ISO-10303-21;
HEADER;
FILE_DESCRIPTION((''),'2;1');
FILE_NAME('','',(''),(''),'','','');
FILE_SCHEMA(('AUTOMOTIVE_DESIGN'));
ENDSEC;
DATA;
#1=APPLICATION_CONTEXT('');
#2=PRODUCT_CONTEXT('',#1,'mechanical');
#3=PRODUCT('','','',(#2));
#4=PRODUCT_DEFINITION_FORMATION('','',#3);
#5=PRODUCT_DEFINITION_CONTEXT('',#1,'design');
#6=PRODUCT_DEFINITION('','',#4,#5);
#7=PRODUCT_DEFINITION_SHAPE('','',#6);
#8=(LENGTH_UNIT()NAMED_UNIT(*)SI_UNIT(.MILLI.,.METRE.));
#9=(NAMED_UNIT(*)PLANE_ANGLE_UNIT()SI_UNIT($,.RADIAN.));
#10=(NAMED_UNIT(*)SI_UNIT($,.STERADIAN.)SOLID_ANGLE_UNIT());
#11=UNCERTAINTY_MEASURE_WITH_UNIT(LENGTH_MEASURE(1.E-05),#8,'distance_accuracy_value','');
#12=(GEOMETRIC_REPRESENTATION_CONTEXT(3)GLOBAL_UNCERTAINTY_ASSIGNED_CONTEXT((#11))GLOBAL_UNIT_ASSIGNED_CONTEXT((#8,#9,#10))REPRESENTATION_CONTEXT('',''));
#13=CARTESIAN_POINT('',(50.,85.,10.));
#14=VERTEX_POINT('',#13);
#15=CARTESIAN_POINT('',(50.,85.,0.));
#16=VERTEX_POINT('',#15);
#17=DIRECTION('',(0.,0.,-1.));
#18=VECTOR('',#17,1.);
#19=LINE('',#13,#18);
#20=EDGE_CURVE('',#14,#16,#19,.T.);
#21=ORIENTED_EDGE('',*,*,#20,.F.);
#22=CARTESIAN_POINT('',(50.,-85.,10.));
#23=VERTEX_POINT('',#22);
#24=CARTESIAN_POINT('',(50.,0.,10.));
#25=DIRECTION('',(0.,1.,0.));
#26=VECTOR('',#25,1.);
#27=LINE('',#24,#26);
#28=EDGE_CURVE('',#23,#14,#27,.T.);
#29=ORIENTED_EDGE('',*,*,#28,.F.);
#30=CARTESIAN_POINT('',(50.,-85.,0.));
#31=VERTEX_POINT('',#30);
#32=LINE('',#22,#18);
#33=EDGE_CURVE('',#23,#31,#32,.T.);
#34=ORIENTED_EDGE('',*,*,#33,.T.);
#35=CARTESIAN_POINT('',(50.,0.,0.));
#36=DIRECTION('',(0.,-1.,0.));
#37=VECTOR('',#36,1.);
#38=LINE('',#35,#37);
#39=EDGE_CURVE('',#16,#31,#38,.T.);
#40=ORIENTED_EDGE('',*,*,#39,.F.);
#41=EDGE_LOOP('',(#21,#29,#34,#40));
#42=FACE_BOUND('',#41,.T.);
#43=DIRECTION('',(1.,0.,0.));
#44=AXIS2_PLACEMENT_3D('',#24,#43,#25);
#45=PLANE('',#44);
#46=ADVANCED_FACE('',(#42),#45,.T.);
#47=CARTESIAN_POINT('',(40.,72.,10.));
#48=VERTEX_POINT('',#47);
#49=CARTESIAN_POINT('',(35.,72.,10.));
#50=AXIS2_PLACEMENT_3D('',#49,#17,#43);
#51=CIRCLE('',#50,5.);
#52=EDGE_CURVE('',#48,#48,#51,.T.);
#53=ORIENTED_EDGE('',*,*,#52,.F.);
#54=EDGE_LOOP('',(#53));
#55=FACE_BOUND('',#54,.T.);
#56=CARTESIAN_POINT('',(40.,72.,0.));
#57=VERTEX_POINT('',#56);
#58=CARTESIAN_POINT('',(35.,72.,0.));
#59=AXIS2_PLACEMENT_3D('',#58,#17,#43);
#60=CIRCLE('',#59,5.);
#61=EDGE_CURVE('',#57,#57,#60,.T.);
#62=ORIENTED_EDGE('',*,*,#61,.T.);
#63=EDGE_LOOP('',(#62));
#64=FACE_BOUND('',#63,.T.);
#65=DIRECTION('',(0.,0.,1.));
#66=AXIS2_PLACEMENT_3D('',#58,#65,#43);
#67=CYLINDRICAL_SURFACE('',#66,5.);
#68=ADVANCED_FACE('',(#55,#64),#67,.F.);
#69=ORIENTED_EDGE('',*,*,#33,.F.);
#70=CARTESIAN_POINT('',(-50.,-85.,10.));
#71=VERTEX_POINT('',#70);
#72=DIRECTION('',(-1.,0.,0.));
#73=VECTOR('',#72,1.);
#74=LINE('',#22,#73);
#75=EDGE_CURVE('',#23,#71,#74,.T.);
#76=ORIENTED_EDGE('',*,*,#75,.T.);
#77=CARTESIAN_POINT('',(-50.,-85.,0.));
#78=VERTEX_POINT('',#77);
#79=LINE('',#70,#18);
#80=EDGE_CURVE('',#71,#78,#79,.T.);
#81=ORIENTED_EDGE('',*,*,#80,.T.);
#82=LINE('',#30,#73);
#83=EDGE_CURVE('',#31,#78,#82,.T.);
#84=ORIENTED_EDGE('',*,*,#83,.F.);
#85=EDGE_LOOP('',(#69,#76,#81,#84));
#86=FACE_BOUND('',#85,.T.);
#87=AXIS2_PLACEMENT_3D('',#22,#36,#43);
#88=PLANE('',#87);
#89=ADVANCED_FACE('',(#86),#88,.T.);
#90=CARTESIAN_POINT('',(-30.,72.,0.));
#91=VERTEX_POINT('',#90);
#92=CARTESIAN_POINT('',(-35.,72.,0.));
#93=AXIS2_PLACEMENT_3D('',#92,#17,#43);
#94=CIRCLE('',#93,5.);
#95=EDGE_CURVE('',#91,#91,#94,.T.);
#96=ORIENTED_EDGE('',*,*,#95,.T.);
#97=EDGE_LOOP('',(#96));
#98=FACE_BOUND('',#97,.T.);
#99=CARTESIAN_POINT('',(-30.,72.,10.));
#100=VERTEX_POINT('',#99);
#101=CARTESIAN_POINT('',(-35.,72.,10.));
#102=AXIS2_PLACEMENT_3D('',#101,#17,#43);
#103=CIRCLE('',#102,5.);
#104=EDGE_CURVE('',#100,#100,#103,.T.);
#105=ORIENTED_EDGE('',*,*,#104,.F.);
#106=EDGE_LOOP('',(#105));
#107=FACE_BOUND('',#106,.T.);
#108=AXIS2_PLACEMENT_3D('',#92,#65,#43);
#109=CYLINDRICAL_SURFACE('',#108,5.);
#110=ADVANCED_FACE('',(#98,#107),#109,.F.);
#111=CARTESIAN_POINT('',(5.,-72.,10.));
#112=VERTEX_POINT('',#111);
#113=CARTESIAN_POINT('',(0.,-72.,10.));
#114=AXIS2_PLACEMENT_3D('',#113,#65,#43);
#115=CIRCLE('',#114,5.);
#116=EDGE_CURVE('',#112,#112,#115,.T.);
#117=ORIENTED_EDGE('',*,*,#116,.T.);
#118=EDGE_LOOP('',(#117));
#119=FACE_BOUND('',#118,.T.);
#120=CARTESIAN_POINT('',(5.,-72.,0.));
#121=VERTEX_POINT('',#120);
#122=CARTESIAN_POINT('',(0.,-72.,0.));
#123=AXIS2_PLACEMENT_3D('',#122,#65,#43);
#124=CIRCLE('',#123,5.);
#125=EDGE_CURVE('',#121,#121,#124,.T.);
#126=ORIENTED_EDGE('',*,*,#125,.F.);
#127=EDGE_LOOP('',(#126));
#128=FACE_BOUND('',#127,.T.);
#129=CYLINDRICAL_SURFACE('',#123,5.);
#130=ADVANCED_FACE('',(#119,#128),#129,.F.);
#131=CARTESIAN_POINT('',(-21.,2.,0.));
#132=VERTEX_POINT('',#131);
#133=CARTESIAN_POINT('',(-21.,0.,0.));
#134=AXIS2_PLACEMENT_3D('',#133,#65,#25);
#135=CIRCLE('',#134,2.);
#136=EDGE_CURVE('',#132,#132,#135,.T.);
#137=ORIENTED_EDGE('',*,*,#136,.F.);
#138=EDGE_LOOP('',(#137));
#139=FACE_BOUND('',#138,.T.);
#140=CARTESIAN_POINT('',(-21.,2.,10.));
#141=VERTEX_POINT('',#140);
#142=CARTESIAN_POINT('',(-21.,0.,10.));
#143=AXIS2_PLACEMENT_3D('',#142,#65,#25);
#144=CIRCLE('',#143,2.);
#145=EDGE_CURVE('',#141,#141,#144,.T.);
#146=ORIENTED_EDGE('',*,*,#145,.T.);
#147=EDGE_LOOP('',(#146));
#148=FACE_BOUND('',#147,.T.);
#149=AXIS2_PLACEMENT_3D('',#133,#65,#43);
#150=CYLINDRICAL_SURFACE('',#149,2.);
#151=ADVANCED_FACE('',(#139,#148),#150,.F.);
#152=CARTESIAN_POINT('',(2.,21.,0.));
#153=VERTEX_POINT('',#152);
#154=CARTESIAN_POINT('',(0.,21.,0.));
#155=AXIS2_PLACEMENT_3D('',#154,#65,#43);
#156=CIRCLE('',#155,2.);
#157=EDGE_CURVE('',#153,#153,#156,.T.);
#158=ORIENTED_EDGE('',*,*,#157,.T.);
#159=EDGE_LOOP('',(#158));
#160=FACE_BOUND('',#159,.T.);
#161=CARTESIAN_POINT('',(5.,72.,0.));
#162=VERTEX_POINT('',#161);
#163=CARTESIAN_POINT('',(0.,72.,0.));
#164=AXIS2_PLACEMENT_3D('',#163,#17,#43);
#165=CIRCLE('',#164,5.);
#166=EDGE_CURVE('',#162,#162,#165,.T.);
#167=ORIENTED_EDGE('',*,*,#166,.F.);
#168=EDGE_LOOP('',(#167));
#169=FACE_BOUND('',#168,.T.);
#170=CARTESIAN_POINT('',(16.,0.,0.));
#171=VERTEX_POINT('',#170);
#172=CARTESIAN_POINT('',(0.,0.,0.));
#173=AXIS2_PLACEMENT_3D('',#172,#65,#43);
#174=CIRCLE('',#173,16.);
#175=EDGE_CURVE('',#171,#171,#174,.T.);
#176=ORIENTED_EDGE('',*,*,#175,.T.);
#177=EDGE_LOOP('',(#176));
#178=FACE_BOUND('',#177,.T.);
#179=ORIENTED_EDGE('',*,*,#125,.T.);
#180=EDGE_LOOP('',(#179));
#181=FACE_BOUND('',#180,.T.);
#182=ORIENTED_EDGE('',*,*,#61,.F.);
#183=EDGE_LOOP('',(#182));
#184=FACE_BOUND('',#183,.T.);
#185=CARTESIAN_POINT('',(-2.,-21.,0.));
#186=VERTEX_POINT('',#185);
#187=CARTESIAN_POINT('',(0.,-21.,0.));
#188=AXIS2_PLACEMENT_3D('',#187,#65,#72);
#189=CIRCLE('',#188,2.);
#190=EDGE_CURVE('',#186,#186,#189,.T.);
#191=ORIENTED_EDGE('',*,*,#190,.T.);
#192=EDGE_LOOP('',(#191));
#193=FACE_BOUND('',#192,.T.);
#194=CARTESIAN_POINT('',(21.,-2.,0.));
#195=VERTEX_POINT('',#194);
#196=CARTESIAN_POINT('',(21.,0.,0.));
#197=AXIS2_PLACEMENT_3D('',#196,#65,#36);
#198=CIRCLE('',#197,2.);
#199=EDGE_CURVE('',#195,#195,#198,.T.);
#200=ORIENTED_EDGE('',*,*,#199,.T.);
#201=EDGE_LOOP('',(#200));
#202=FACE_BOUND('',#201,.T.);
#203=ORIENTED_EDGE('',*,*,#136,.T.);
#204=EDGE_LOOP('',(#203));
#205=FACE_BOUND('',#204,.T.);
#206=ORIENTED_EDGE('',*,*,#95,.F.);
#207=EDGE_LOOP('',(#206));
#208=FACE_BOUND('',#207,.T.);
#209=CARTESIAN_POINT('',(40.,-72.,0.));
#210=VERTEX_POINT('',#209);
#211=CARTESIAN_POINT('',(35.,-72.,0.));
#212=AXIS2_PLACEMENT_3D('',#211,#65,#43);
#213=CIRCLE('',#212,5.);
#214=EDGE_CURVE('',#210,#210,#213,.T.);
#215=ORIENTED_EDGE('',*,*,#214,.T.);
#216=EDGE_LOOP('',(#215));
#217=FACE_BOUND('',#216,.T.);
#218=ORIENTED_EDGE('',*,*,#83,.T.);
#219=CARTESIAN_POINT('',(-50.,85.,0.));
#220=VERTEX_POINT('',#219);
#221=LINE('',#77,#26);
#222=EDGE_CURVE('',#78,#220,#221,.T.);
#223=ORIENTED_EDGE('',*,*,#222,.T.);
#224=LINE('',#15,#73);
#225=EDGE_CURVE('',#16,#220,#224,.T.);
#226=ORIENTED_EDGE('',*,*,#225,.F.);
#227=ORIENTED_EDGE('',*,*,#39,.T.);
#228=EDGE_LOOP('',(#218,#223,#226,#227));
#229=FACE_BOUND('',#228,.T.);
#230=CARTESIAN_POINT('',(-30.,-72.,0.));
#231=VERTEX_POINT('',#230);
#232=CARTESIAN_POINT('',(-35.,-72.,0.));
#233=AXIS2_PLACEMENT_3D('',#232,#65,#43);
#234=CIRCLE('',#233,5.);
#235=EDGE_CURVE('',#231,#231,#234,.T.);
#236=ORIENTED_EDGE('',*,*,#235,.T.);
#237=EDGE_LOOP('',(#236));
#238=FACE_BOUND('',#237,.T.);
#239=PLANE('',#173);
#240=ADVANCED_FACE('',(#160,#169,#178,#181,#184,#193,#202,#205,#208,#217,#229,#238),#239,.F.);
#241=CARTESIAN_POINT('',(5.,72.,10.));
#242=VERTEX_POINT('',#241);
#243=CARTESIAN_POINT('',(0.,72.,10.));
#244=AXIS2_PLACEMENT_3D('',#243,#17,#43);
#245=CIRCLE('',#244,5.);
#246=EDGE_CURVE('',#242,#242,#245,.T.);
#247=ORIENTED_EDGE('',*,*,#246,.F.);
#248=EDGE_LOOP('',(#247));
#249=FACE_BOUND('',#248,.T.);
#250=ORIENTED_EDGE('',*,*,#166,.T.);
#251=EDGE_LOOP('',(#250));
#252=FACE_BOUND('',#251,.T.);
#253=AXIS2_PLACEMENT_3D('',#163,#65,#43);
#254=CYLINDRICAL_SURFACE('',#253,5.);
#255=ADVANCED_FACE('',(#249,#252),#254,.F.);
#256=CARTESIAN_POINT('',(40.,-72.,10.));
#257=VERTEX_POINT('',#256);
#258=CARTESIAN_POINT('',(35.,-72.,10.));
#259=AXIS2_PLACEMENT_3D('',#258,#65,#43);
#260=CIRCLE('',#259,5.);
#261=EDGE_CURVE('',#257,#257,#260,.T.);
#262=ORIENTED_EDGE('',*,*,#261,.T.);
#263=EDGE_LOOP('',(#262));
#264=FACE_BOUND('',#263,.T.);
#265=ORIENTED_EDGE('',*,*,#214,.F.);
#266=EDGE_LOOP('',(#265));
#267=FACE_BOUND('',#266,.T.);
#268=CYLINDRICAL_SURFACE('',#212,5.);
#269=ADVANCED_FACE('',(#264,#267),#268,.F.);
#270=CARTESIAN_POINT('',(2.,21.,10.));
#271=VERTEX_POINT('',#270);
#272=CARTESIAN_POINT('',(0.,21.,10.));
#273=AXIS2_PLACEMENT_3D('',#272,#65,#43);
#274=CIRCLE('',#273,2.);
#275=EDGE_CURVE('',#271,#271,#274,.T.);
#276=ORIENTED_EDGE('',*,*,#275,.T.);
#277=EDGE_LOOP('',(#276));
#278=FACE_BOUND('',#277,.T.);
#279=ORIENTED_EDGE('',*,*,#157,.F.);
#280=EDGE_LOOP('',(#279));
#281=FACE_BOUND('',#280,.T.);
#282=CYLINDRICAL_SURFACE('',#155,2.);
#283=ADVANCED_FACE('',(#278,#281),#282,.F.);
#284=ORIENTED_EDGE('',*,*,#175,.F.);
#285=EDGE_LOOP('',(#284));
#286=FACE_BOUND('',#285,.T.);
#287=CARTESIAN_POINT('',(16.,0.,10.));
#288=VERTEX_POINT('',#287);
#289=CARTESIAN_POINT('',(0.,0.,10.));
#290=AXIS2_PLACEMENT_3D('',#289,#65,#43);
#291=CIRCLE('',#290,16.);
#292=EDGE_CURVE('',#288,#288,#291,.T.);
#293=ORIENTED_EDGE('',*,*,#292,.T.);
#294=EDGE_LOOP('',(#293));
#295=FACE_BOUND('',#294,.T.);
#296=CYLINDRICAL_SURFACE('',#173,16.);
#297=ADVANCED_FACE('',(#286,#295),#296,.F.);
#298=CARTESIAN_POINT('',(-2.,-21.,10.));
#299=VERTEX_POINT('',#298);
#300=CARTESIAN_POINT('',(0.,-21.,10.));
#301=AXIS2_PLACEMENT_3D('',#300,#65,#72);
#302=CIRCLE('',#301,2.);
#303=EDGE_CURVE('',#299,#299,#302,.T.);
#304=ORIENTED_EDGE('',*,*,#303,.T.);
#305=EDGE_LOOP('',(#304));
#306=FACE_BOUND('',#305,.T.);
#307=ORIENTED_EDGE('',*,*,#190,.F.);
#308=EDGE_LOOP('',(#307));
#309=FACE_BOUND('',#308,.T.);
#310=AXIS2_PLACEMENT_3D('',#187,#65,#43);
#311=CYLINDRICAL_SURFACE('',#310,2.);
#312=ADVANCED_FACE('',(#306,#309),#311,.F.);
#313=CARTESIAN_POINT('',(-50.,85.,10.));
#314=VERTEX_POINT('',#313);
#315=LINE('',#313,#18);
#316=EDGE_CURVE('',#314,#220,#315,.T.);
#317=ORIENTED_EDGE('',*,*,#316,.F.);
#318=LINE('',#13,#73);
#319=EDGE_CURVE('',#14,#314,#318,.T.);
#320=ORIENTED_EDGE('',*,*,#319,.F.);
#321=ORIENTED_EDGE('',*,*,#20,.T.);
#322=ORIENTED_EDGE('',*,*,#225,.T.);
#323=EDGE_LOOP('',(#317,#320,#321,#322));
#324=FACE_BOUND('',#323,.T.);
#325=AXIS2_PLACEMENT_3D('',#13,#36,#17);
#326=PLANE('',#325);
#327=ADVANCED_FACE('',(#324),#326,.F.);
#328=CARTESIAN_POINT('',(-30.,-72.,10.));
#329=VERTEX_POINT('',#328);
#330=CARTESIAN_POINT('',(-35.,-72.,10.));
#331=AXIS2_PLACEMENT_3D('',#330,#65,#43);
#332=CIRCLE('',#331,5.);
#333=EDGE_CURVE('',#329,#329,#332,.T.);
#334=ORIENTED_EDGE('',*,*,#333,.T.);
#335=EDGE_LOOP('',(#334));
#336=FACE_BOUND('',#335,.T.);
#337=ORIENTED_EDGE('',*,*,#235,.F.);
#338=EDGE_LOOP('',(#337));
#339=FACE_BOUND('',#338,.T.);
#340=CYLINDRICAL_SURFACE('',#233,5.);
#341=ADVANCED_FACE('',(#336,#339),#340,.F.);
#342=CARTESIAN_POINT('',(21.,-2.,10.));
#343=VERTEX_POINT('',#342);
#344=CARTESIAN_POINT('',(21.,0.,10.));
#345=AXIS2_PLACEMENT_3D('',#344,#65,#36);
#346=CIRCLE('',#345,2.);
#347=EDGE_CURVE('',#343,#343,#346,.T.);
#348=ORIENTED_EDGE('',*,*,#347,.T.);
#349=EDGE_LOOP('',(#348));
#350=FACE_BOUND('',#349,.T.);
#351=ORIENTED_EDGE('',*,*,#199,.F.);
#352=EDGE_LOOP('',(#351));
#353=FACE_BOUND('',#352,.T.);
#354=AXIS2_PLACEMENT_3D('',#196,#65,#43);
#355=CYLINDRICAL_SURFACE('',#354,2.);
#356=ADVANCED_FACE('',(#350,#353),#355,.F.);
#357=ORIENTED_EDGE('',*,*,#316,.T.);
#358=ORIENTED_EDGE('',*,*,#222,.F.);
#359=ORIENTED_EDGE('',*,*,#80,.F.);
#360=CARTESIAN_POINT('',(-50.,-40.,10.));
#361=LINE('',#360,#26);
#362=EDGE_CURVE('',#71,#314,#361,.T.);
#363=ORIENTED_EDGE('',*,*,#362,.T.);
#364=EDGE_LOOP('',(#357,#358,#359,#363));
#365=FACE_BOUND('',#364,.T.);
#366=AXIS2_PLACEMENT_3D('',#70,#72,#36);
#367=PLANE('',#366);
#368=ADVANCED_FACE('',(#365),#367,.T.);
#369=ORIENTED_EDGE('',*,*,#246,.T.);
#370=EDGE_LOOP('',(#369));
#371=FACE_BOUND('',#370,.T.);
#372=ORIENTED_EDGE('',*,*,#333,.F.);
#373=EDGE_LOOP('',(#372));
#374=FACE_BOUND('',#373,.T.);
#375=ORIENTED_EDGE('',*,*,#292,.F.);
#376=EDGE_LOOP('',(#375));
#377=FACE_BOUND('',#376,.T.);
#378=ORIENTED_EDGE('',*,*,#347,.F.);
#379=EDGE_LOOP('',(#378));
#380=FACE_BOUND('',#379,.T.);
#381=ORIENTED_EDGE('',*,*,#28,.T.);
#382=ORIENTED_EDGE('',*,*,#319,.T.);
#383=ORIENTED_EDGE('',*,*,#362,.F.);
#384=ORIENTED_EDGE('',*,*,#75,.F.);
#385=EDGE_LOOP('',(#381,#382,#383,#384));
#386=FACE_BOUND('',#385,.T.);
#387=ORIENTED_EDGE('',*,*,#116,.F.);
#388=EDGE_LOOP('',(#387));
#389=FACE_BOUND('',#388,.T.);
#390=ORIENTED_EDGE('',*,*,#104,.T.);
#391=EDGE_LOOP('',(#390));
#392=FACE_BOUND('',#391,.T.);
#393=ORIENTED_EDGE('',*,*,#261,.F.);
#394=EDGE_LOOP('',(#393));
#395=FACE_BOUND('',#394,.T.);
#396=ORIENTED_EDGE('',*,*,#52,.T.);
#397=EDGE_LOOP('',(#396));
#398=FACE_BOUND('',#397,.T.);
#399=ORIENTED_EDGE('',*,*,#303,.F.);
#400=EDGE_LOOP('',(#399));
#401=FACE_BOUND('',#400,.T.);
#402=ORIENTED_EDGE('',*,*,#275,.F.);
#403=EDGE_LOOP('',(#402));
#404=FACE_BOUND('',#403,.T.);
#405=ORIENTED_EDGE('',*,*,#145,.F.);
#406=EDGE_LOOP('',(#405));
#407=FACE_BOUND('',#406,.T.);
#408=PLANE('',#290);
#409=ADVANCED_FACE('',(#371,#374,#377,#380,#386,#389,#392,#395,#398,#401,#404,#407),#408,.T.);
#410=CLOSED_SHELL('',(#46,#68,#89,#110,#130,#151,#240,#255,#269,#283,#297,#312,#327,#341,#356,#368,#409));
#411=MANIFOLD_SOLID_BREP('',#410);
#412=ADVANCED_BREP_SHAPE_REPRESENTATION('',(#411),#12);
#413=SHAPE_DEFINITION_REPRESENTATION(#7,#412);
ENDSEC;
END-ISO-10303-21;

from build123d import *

# Parameters (mm, degrees)
EXTRUDE_1_DEPTH          = 10
SKETCH_2_R               = 16
CUT_EXTRUDE_1_DEPTH      = 10
SKETCH_3_R               = 5
CUT_EXTRUDE_2_DEPTH      = 10
SKETCH_6_R               = 2
CUT_EXTRUDE_4_DEPTH      = 10
PATTERN_CIRCULAR_1_COUNT = 4


with BuildPart() as part:
    # 草图1 → 凸台-拉伸1 (new body)
    with BuildSketch(Plane.XY):
        Polygon((50, -85), (-50, -85), (-50, -40), (-50, 85), (50, 85), (50, 0), align=None)
    extrude(amount=EXTRUDE_1_DEPTH)

    # 草图2 → 切除-拉伸1 (cut)
    with BuildSketch(Plane.XY.offset(10)):
        Circle(SKETCH_2_R)
    extrude(amount=-CUT_EXTRUDE_1_DEPTH, mode=Mode.SUBTRACT)

    # 草图3 → 切除-拉伸2 (cut)
    with BuildSketch(Plane.XY.offset(10)):
        with Locations((0, -72)):
            Circle(SKETCH_3_R)
        with Locations((35, -72)):
            Circle(SKETCH_3_R)
        with Locations((-35, -72)):
            Circle(SKETCH_3_R)
    cut_extrude_2 = extrude(amount=-CUT_EXTRUDE_2_DEPTH, mode=Mode.SUBTRACT)

    # 草图6 → 切除-拉伸4 (cut)
    with BuildSketch(Plane.XY.offset(10)):
        with Locations((0, 21)):
            Circle(SKETCH_6_R)
    cut_extrude_4 = extrude(amount=-CUT_EXTRUDE_4_DEPTH, mode=Mode.SUBTRACT)

    # 阵列(圆周)1: 切除-拉伸4 ×4 about axis
    pattern_circular_1_axis = Axis((0, 0, 0), (0, 0, 1))
    for i in range(1, PATTERN_CIRCULAR_1_COUNT):
        add(cut_extrude_4.rotate(pattern_circular_1_axis, i * 360 / PATTERN_CIRCULAR_1_COUNT), mode=Mode.SUBTRACT)

    # 镜向1: 切除-拉伸2 across plane
    add(cut_extrude_2.mirror(Plane.ZX), mode=Mode.SUBTRACT)


solid = part.part
